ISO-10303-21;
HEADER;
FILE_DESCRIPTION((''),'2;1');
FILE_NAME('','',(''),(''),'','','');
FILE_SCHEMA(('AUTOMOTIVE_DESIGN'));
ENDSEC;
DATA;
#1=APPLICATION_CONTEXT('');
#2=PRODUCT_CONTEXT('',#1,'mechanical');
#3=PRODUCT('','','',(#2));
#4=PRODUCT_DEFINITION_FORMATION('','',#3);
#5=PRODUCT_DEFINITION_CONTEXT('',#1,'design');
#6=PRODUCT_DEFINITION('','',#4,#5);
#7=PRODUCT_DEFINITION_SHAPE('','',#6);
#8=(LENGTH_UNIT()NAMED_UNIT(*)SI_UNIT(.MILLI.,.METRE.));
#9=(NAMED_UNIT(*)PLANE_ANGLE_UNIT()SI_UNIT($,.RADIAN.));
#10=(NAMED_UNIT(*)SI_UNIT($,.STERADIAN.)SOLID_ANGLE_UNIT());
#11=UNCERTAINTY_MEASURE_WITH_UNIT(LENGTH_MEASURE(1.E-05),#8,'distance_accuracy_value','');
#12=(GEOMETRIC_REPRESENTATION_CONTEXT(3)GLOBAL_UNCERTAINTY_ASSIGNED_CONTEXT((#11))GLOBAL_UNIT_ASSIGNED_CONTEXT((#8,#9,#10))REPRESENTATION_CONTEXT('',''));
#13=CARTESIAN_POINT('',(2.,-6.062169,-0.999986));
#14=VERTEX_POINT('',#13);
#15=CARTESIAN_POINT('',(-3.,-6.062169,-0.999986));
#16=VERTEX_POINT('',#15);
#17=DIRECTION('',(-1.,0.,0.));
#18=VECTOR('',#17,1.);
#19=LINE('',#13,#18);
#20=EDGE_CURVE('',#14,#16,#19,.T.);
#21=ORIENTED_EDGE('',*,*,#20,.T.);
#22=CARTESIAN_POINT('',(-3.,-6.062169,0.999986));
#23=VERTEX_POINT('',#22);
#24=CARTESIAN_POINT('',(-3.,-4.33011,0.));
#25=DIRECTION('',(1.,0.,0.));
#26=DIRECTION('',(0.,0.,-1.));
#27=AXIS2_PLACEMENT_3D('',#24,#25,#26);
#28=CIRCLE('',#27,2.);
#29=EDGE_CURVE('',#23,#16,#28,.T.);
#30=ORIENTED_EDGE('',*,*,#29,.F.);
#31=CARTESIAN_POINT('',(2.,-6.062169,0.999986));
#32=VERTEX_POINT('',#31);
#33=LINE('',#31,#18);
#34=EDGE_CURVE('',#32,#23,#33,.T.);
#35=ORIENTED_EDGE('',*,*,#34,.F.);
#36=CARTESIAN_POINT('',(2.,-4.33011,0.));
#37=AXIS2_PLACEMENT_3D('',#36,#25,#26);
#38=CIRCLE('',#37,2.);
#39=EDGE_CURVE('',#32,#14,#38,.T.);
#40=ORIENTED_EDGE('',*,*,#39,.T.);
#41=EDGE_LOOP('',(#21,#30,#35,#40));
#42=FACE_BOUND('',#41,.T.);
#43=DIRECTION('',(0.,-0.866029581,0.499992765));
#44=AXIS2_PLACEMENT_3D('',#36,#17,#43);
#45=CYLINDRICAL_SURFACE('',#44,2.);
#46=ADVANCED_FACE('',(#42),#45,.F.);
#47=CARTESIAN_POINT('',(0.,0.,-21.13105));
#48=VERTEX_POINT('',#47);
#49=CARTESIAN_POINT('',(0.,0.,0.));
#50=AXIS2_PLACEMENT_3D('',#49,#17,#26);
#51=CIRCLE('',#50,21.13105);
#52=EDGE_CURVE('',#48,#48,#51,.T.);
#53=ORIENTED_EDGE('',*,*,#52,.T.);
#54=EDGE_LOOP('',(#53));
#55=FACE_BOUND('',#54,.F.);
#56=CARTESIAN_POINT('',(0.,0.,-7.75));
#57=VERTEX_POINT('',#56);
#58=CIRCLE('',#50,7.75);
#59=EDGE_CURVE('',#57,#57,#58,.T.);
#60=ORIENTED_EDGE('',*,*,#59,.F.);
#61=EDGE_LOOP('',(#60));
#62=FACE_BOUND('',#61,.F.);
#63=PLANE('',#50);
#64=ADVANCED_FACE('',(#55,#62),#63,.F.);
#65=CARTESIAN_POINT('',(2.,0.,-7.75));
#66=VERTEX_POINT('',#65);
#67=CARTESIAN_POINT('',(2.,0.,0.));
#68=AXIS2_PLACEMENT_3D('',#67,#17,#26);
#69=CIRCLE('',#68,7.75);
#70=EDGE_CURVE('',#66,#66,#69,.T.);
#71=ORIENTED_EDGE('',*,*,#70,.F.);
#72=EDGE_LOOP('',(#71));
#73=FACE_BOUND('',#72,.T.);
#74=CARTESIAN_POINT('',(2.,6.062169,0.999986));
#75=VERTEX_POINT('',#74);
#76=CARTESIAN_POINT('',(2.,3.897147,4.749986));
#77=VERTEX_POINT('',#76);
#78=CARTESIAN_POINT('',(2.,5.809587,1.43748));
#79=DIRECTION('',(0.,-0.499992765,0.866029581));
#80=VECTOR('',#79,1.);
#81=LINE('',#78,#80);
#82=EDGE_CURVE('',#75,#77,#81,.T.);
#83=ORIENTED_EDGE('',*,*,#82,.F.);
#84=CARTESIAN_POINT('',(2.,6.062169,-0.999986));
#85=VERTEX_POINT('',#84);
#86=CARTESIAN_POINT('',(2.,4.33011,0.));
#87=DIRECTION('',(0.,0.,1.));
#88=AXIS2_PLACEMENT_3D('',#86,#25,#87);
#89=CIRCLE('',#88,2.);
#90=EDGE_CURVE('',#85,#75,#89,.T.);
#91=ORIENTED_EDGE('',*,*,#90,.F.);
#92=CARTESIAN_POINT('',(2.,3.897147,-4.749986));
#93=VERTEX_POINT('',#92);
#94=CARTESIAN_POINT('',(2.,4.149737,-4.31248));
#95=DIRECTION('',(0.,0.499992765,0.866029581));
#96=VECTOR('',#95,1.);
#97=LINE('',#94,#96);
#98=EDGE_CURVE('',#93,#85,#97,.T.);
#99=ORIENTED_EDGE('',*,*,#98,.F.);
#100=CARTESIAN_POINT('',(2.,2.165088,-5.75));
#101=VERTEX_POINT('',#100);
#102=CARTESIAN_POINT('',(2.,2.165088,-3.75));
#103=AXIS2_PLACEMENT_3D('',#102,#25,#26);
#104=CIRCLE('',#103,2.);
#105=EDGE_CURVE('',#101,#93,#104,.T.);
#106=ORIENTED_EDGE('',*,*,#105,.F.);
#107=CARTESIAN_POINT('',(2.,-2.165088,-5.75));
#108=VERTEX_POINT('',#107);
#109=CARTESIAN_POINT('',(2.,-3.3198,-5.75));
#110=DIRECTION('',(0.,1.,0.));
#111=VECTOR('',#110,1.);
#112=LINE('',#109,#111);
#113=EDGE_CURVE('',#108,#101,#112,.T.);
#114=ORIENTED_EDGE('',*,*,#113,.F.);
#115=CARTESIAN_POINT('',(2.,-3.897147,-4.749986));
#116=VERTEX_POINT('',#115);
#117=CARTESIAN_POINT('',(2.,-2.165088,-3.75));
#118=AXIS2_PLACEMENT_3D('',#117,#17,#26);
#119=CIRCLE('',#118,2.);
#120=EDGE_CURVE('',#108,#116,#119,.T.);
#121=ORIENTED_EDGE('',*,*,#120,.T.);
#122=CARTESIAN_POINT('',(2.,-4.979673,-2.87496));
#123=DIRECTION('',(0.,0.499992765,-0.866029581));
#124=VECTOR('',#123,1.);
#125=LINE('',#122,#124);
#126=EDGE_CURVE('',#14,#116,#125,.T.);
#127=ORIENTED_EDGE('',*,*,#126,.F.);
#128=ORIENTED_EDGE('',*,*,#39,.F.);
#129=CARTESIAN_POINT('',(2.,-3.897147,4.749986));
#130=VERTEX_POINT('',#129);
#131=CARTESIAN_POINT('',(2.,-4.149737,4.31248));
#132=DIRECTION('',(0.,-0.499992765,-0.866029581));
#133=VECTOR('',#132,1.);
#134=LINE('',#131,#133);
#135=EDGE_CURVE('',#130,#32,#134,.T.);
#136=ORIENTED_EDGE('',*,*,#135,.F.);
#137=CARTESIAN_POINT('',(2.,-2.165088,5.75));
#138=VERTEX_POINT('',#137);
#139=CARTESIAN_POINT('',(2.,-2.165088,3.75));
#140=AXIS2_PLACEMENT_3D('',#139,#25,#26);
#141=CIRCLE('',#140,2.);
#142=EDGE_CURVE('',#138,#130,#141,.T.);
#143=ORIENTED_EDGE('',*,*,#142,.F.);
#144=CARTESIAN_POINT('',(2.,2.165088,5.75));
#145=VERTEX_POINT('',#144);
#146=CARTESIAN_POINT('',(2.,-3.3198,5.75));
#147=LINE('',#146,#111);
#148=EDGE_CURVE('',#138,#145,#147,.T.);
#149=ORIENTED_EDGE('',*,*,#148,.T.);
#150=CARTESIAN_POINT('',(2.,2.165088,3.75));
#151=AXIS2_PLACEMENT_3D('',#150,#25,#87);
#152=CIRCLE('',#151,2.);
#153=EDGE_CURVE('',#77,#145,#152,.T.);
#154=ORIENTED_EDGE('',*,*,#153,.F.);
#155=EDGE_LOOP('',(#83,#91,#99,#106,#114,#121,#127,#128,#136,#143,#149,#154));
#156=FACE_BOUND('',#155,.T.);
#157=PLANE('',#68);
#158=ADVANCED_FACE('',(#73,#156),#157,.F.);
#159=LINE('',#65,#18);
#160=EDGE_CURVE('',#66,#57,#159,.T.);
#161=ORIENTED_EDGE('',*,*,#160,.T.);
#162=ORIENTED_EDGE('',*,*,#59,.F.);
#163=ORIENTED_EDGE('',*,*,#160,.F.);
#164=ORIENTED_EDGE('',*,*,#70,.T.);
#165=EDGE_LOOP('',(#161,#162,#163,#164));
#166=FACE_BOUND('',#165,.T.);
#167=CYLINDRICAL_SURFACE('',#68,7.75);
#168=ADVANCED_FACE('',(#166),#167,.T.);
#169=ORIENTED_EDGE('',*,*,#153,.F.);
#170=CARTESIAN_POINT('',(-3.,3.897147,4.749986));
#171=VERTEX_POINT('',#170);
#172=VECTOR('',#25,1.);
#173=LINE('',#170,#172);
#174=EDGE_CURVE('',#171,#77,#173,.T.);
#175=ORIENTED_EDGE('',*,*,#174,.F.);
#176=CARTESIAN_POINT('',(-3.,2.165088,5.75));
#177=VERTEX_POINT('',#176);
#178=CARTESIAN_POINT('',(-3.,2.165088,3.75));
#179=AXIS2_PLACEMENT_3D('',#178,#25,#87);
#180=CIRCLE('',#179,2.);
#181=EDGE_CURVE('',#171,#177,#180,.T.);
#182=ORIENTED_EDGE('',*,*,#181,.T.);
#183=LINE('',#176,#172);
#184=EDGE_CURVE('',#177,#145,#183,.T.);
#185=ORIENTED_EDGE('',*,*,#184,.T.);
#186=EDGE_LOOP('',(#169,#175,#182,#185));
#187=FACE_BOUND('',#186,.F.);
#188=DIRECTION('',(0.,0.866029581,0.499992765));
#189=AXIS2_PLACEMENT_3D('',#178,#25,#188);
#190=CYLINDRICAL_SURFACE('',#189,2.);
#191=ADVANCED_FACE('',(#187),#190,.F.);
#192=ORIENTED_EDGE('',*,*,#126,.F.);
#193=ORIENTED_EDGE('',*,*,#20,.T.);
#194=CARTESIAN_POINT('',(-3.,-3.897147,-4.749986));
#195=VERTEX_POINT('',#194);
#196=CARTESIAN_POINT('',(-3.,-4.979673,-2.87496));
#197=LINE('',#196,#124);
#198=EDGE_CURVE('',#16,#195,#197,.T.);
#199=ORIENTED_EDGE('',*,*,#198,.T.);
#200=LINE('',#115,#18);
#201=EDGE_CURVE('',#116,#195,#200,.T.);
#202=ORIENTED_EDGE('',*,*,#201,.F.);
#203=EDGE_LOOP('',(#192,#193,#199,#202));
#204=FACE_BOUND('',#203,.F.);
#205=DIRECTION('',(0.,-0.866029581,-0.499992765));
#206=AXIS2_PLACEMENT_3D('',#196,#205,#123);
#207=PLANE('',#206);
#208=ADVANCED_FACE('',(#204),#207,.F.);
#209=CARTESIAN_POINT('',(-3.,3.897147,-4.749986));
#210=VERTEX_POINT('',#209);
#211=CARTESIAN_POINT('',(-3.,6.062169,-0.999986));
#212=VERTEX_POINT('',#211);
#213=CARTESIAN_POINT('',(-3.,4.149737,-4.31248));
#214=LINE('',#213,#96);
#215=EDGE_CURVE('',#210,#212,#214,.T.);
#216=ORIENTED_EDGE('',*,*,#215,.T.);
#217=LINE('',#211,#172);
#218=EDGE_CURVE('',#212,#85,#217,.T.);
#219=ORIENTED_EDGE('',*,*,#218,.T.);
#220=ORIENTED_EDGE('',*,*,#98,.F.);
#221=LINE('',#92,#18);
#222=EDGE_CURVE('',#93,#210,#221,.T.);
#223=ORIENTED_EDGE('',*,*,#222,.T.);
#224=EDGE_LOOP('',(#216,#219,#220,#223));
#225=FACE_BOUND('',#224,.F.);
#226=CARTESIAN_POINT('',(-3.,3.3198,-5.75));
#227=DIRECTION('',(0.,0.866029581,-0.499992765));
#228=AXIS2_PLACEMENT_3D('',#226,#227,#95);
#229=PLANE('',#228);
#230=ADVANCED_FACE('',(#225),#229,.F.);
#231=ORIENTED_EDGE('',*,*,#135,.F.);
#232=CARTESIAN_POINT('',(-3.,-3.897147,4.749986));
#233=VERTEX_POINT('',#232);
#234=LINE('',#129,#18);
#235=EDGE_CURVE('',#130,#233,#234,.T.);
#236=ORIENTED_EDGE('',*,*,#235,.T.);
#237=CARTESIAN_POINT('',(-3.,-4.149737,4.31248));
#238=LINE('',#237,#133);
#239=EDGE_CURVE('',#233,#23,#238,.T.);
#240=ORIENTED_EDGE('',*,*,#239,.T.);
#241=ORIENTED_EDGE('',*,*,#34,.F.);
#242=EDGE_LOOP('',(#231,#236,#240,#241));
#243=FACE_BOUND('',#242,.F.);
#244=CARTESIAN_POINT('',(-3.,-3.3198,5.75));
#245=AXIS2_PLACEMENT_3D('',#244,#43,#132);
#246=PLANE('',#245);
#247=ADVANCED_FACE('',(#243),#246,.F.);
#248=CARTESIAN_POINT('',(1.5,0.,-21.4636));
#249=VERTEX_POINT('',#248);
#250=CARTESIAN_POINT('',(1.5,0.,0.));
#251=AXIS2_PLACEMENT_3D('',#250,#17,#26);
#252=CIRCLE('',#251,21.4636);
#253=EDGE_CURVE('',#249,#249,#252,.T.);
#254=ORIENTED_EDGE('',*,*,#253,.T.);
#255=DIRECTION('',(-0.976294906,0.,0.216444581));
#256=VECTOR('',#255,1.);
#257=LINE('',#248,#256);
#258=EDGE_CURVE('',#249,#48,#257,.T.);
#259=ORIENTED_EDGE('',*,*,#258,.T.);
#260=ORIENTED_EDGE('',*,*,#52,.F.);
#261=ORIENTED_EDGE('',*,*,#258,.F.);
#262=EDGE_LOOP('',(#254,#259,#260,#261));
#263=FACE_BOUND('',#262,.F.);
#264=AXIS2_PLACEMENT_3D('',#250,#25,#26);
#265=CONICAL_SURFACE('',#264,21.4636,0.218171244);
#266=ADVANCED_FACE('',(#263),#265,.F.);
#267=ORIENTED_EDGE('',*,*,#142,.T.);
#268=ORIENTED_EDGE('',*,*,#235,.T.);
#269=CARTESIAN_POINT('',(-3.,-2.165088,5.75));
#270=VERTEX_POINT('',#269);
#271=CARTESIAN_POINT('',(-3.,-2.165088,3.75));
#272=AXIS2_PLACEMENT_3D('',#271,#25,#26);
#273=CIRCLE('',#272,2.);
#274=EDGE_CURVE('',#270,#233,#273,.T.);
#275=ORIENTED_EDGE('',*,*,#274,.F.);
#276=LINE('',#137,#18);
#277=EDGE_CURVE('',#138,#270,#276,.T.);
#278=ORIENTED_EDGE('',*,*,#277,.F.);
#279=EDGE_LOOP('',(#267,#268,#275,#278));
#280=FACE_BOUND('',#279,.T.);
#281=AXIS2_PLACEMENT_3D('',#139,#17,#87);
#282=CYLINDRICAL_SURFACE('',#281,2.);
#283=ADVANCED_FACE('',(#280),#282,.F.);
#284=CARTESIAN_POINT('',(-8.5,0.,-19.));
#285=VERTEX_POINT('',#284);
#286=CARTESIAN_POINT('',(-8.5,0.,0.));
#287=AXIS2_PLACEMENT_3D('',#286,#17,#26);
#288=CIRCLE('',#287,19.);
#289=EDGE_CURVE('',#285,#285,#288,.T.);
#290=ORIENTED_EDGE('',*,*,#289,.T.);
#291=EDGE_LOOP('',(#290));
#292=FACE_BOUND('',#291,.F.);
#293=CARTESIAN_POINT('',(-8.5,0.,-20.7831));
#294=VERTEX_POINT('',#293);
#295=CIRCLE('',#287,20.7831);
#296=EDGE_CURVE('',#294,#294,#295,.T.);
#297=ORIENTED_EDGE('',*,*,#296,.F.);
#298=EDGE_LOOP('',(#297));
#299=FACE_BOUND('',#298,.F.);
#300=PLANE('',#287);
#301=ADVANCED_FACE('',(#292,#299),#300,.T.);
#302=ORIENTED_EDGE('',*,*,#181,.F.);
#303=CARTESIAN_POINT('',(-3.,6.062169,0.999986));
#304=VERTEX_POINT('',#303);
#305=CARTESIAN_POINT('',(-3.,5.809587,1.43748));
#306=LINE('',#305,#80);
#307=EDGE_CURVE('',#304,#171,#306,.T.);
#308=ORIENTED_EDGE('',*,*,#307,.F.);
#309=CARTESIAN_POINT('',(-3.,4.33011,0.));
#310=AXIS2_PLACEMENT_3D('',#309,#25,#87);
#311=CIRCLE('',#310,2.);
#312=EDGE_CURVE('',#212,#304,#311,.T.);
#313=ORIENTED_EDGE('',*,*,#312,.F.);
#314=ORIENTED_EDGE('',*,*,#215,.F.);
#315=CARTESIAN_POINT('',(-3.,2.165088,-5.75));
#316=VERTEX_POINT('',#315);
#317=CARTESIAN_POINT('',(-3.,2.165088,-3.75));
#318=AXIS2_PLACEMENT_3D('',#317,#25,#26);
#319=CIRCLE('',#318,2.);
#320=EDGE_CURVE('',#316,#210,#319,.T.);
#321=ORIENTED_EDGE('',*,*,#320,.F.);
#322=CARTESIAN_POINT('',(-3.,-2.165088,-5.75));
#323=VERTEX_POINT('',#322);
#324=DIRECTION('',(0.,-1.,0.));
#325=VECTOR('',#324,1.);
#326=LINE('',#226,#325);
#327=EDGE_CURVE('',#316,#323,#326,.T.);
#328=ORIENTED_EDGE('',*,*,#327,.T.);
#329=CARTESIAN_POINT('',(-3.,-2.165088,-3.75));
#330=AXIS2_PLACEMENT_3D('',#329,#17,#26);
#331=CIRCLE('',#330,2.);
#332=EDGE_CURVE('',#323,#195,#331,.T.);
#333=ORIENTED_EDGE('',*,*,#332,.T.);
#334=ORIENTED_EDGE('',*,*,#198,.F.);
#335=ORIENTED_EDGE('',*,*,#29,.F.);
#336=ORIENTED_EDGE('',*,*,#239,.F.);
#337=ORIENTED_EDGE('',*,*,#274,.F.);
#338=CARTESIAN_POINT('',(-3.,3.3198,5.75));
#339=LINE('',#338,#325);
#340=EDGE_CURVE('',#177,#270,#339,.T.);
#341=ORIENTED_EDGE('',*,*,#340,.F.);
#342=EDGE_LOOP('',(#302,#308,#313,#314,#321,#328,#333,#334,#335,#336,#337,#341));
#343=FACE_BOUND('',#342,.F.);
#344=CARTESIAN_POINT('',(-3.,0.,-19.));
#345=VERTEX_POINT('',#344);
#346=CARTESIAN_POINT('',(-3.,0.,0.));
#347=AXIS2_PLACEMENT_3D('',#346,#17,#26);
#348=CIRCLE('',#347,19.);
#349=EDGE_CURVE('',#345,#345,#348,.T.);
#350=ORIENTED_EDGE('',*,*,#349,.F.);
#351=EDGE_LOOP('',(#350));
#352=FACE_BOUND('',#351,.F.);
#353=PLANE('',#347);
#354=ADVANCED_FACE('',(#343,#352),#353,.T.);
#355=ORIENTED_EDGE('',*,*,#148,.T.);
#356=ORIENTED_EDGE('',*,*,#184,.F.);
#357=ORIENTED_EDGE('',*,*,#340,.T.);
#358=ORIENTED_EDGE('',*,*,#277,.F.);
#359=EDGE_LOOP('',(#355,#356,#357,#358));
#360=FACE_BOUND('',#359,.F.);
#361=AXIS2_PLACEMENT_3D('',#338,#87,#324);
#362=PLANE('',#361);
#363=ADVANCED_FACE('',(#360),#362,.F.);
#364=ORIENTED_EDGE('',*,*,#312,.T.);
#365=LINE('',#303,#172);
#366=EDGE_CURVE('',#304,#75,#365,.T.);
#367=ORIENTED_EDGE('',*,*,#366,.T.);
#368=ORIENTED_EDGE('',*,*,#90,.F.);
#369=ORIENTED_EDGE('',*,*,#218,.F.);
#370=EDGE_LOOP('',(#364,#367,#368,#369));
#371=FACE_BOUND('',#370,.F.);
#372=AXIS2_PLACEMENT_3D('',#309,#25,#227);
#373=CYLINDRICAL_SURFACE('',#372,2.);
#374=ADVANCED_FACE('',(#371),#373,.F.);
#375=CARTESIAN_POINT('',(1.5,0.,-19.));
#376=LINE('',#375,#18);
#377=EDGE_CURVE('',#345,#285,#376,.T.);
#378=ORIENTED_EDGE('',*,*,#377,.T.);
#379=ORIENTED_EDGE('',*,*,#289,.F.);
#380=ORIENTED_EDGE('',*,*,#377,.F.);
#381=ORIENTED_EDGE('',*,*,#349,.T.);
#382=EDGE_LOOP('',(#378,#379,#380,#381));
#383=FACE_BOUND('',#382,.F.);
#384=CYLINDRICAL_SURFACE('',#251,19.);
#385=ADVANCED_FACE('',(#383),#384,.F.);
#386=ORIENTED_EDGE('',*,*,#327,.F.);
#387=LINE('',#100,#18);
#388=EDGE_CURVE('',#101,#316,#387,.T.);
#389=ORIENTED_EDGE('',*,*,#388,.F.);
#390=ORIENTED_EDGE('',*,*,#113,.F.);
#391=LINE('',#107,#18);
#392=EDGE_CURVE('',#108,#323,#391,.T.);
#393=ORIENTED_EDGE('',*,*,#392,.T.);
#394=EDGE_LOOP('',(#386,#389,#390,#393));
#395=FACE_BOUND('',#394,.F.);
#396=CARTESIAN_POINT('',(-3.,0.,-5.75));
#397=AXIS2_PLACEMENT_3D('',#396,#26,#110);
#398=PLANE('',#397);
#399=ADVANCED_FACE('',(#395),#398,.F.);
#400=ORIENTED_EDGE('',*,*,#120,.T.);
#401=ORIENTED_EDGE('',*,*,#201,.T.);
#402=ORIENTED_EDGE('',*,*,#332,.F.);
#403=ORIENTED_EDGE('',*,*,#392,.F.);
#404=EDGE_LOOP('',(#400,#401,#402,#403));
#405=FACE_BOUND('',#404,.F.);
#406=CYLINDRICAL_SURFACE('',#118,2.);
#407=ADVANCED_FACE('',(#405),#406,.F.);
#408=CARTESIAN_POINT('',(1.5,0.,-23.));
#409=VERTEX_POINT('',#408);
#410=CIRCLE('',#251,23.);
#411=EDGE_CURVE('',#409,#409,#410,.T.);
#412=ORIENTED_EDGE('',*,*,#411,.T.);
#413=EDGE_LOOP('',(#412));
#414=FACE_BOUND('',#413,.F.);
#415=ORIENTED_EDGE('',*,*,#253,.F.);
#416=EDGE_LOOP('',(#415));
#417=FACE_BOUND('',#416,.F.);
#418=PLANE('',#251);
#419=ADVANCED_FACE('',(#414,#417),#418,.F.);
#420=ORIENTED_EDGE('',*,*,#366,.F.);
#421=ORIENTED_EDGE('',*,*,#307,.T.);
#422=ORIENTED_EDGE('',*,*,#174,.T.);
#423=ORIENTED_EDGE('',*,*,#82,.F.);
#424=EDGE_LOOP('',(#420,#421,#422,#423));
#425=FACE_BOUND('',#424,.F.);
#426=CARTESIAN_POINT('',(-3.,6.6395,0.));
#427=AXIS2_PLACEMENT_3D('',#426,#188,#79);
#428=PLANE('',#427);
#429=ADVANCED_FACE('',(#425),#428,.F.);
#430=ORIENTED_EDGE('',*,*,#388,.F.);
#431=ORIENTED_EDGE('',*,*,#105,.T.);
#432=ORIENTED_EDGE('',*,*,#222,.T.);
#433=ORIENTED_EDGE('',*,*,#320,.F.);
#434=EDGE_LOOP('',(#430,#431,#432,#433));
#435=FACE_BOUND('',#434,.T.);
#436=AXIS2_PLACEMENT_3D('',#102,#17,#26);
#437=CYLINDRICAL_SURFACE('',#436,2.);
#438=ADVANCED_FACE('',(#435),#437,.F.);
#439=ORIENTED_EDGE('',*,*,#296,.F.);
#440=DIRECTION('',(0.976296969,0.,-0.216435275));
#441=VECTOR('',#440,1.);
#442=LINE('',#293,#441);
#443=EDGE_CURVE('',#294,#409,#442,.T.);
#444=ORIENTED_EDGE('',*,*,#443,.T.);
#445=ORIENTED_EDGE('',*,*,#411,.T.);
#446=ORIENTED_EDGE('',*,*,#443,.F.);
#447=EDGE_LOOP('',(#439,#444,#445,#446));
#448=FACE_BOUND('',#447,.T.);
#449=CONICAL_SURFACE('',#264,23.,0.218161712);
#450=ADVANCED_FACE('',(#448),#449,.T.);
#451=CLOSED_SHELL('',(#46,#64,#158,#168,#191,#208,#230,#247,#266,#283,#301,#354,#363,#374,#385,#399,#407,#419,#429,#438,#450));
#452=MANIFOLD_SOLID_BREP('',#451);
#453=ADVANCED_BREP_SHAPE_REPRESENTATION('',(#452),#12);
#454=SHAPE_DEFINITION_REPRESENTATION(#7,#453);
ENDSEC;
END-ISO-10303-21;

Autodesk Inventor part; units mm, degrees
ref_plane "YZ Plane" through (0, 0, 0) normal (1, 0, 0) x (0, 1, 0)
ref_plane "XZ Plane" through (0, 0, 0) normal (0, 1, 0) x (-1, 0, 0)
ref_plane "XY Plane" through (0, 0, 0) normal (0, 0, 1) x (1, 0, 0)
sketch "Sketch1" plane through (0, 0, 0) normal (0, 1, 0) x (-1, 0, 0)
  line L0 (0, 0) -> (3, 0) construction
  line L1 (3, 0) -> (3, -5.75) construction
  line L2 (3, -5.75) -> (0, -5.75) construction
  line L3 (0, -5.75) -> (0, 0) construction
  line L4 (0, -5.75) -> (3, -5.75)
  line L5 (3, -5.75) -> (3, -25)
  line L6 (3, -25) -> (0, -25)
  line L7 (0, -25) -> (0, -5.75)
  line L8 (8.5, -25) -> (-1.5, -25) construction
  line L9 (-1.5, -25) -> (-1.5, -19)
  line L10 (-1.5, -19) -> (8.5, -19)
  line L11 (8.5, -19) -> (8.5, -25)
  line L12 (-1.5, -23) -> (8.5, -20.7831)
  line L13 (-1.5, -21.4636) -> (8.5, -19.2466)
  line L14 (3, -5.75) -> (5, -5.75)
  line L15 (5, -5.75) -> (5, -9.75)
  line L16 (5, -9.75) -> (3, -9.75)
  line L17 (3, -9.75) -> (3, -5.75)
  line L18 (0, -5.75) -> (-2, -5.75)
  line L19 (-2, -5.75) -> (-2, -7.75)
  line L20 (-2, -7.75) -> (0, -7.75)
  line L21 (0, -7.75) -> (0, -5.75)
  point P0 (3, -19)
  point P1 (0, -19)
  point P2 (0, -21.131)
  point P3 (3, -20.466)
  point P4 (3, -9.75)
  point P5 (0, -7.75)
  dimension "d21" = 3
  dimension "d22" = 5.75
  dimension "d24" = 1.5
  dimension "d25" = 10
  dimension "d26" = 6
  dimension "d27" = 2
  dimension "d29" = 23
  dimension "d30" = 1.5
  dimension "d34" = 2
  dimension "d35" = 4
  dimension "d36" = 2
  dimension "d37" = 2
  dimension "d38" = 12.5
revolve "Revolution1" add sketch "Sketch1" angle 360 about axis through (0, 0, 0) along (-1, 0, 0) contours L4 L5 L10 L7 | L7 L20 L19 L18 | L10 L5 L13 L7 | L10 L11 L13 L5 | L13 L5 L12 L7 | L7 L12 L9 L13 | L13 L11 L12 L5
sketch "Sketch5" plane through (-3, 0, 0) normal (-1, 0, 0) x (0, 0, 1)
  line L0 (0, 0) -> (-5.75, 0) construction
  line L1 (-5.75, 3.3198) -> (0, 6.6395)
  line L2 (0, 6.6395) -> (5.75, 3.3198)
  line L3 (5.75, 3.3198) -> (5.75, -3.3198)
  line L4 (5.75, -3.3198) -> (0, -6.6395)
  line L5 (0, -6.6395) -> (-5.75, -3.3198)
  line L6 (-5.75, -3.3198) -> (-5.75, 3.3198)
  circle A0 centre (0, 0) radius 5.75 projected
  circle A1 centre (0, 0) radius 19 projected
  circle A2 centre (0, 0) radius 5.75 projected
extrude "Extrusion4" cut sketch "Sketch5" along normal through all both and the other way through all contours L1 A0 L6 | L1 L2 A0 | A0 | A0 L5 L6 | L2 L3 A0 | A0 L4 L5 | L3 L4 A0
fillet "Fillet4" radius 2 6 edges at (-0.5, -3.3198, -5.75) (-0.5, 3.3198, -5.75) (-0.5, 6.6395, 0) (-0.5, -6.6395, 0) (-0.5, -3.3198, 5.75) (-0.5, 3.3198, 5.75)
properties part number "Clutch" material "Stainless Steel"
